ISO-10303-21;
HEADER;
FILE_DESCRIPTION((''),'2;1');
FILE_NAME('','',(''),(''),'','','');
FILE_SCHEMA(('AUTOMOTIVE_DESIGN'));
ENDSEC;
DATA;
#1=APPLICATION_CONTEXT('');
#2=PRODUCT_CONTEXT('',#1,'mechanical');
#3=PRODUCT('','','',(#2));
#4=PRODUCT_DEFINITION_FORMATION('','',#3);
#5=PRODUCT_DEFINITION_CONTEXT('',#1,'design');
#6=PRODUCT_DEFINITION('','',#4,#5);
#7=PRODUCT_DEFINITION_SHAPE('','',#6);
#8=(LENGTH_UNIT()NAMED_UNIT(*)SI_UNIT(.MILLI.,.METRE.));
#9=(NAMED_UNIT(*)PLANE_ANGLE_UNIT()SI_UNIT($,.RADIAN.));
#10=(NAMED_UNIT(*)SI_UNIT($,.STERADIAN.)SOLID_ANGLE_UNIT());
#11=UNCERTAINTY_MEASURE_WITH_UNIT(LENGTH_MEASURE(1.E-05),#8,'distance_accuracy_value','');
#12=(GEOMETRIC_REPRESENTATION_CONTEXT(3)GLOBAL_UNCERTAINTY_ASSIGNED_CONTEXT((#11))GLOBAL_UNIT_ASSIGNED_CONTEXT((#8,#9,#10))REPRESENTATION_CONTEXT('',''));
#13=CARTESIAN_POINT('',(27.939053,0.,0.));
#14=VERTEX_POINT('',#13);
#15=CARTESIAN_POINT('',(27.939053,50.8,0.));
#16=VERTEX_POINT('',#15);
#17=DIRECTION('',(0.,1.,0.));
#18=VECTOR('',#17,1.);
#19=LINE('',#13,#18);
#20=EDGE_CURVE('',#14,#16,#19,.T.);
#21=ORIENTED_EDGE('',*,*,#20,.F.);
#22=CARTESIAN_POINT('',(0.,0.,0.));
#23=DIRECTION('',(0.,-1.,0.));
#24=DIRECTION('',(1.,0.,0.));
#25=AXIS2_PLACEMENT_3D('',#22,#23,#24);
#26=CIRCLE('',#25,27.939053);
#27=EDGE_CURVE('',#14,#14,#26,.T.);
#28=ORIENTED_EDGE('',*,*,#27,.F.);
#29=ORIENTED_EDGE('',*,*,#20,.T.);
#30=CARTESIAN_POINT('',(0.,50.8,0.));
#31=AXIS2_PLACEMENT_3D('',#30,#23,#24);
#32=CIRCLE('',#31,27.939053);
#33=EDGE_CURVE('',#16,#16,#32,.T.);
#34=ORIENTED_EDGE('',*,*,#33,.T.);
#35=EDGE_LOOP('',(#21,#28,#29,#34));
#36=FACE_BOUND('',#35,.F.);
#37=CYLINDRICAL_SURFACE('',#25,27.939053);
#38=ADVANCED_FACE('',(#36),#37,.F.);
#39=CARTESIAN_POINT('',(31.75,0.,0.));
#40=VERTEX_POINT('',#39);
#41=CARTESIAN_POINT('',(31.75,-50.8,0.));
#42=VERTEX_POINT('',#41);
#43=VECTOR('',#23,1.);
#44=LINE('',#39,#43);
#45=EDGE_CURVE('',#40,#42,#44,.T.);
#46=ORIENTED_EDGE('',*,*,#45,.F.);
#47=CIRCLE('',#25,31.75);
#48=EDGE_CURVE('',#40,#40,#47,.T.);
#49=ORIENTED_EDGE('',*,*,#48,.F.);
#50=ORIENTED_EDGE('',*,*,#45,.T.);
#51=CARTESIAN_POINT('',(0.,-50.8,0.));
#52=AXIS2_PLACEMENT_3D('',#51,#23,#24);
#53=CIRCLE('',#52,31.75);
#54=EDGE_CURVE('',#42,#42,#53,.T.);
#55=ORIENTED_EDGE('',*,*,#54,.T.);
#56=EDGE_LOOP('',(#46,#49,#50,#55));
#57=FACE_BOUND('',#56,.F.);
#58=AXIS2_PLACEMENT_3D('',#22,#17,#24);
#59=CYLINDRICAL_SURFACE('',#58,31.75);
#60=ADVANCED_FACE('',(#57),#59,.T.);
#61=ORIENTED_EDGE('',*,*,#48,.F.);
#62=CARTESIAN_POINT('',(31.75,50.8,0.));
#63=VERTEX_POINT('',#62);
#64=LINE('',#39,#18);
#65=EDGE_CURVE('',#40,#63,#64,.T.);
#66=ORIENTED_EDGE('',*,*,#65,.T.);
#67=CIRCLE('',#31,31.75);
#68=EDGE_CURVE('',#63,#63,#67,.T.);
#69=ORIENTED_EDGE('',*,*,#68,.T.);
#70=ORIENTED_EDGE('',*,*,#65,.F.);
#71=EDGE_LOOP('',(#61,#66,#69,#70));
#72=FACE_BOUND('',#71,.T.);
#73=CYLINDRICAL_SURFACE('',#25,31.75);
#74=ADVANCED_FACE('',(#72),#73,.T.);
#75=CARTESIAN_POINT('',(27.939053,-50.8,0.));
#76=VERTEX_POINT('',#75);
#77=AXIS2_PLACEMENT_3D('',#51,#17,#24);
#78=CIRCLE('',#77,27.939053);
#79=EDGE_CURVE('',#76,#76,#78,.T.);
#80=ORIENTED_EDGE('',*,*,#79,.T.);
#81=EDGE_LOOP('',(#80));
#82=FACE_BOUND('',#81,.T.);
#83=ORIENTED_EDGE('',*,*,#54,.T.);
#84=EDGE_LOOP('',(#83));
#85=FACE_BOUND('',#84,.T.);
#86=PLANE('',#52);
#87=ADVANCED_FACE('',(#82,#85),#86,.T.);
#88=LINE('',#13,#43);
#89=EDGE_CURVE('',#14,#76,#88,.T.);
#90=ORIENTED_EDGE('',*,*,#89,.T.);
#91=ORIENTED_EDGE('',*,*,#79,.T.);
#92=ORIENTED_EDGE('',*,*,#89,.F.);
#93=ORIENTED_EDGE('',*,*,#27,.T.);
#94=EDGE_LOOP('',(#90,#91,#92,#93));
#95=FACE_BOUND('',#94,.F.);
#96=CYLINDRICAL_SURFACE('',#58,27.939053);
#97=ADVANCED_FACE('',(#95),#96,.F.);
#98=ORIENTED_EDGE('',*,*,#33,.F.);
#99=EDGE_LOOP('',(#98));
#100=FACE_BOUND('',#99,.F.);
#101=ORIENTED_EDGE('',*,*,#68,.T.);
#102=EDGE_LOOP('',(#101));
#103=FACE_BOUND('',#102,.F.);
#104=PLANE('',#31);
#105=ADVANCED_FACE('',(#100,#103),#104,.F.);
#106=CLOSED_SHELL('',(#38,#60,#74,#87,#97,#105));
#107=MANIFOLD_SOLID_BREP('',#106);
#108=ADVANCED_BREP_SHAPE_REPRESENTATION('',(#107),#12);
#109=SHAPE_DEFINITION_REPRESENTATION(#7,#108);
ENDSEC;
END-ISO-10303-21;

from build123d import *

# Parameters (mm, degrees)
F0_R      = 31.75
F1_DEPTH  = 50.8
F1_FACE_R = 31.75
F2_DEPTH  = 50.8
F3_R      = 27.939053
F4_DEPTH  = 50.8
F4_FACE_R = 27.939053
F5_DEPTH  = 50.8


with BuildPart() as f1:
    # F0 (on Front) → F1 (new body)
    with BuildSketch(Plane.XZ):
        Circle(F0_R)
    extrude(amount=-F1_DEPTH)

    # F1_face (on face) → F2 (join)
    with BuildSketch(Plane.XZ):
        Circle(F1_FACE_R)
    extrude(amount=F2_DEPTH)

    # F3 (on Front) → F4 (cut)
    with BuildSketch(Plane.XZ):
        Circle(F3_R)
    extrude(amount=-F4_DEPTH, mode=Mode.SUBTRACT)

    # F4_face (on face) → F5 (cut)
    with BuildSketch(Plane(origin=(0, 0, 0), x_dir=(1, 0, 0), z_dir=(0, 1, 0))):
        Circle(F4_FACE_R)
    extrude(amount=-F5_DEPTH, mode=Mode.SUBTRACT)


solid = f1.part
